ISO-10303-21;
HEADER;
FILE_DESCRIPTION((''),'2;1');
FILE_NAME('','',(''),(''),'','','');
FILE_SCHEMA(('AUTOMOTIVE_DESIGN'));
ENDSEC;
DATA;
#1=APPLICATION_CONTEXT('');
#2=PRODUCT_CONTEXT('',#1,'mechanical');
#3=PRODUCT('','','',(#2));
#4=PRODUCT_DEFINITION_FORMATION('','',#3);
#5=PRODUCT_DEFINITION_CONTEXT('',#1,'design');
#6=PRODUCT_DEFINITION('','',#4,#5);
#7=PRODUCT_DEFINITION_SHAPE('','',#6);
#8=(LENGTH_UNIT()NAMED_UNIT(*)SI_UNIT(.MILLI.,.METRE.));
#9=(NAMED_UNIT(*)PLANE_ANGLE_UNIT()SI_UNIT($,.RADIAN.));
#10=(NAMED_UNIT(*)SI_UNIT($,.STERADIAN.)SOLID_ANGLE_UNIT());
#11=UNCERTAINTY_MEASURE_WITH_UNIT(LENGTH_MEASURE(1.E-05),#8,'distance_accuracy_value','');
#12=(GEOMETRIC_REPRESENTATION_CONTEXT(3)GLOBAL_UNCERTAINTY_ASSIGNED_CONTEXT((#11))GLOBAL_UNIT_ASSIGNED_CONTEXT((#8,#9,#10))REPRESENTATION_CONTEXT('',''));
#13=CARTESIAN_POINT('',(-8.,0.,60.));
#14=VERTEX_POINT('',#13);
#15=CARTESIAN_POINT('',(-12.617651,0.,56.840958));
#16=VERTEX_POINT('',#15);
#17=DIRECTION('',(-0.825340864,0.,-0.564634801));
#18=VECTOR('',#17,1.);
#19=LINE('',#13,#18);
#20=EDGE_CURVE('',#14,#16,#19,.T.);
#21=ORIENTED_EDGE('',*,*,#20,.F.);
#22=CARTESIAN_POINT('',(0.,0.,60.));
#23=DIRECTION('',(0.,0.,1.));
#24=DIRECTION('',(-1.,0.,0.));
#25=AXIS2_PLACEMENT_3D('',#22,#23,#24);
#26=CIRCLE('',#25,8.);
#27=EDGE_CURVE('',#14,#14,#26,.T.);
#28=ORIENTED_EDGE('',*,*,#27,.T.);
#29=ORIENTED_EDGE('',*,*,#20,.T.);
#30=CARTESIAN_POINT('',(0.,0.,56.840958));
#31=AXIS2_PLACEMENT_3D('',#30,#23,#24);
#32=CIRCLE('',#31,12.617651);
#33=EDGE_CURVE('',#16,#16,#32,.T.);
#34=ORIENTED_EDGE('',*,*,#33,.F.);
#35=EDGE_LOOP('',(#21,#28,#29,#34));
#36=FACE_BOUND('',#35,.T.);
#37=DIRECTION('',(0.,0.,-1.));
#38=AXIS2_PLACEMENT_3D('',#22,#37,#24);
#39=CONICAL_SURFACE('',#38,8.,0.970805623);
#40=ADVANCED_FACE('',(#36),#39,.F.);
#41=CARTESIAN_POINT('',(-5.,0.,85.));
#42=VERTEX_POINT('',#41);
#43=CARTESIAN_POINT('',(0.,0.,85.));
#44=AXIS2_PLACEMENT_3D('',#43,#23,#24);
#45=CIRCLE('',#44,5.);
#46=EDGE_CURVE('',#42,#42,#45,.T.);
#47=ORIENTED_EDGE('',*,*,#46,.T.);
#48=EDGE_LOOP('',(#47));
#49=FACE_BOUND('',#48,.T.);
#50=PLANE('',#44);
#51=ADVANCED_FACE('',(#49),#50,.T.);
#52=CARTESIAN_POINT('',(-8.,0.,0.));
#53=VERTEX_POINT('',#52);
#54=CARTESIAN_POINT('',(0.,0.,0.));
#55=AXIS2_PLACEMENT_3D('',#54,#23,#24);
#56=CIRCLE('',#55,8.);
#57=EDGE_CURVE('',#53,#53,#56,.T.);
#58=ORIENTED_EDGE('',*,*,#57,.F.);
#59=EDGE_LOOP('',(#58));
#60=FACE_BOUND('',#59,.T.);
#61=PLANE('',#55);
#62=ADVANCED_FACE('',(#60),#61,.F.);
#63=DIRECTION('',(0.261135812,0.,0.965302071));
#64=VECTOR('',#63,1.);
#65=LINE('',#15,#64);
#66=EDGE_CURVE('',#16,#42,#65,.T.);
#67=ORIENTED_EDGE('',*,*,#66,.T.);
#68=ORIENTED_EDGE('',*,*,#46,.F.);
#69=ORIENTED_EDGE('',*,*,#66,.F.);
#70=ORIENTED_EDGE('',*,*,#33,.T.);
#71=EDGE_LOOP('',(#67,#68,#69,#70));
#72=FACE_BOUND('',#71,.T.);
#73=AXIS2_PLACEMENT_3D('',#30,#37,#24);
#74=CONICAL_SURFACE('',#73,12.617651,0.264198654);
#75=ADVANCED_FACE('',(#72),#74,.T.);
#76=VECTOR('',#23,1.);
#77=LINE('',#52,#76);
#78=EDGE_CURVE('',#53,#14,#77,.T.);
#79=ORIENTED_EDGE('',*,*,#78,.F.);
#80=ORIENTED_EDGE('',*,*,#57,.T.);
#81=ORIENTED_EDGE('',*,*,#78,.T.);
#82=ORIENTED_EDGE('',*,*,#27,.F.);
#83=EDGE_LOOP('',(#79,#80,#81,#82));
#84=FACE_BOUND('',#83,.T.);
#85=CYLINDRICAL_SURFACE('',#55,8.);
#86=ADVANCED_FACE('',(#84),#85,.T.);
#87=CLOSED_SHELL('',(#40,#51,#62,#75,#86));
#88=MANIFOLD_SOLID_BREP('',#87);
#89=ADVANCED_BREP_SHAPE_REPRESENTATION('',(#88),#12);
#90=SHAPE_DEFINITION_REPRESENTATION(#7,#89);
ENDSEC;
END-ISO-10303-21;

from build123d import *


with BuildPart() as part:
    # Sketch → Revolution (revolve)
    with BuildSketch(Plane.XZ):
        Polygon((0, 0), (-8, 0), (-8, 60), (-12.617651, 56.840958), (-5, 85), (0, 85), align=None)
    revolve(axis=Axis((0, 0, 0), (0, 0, 1)))


solid = part.part
